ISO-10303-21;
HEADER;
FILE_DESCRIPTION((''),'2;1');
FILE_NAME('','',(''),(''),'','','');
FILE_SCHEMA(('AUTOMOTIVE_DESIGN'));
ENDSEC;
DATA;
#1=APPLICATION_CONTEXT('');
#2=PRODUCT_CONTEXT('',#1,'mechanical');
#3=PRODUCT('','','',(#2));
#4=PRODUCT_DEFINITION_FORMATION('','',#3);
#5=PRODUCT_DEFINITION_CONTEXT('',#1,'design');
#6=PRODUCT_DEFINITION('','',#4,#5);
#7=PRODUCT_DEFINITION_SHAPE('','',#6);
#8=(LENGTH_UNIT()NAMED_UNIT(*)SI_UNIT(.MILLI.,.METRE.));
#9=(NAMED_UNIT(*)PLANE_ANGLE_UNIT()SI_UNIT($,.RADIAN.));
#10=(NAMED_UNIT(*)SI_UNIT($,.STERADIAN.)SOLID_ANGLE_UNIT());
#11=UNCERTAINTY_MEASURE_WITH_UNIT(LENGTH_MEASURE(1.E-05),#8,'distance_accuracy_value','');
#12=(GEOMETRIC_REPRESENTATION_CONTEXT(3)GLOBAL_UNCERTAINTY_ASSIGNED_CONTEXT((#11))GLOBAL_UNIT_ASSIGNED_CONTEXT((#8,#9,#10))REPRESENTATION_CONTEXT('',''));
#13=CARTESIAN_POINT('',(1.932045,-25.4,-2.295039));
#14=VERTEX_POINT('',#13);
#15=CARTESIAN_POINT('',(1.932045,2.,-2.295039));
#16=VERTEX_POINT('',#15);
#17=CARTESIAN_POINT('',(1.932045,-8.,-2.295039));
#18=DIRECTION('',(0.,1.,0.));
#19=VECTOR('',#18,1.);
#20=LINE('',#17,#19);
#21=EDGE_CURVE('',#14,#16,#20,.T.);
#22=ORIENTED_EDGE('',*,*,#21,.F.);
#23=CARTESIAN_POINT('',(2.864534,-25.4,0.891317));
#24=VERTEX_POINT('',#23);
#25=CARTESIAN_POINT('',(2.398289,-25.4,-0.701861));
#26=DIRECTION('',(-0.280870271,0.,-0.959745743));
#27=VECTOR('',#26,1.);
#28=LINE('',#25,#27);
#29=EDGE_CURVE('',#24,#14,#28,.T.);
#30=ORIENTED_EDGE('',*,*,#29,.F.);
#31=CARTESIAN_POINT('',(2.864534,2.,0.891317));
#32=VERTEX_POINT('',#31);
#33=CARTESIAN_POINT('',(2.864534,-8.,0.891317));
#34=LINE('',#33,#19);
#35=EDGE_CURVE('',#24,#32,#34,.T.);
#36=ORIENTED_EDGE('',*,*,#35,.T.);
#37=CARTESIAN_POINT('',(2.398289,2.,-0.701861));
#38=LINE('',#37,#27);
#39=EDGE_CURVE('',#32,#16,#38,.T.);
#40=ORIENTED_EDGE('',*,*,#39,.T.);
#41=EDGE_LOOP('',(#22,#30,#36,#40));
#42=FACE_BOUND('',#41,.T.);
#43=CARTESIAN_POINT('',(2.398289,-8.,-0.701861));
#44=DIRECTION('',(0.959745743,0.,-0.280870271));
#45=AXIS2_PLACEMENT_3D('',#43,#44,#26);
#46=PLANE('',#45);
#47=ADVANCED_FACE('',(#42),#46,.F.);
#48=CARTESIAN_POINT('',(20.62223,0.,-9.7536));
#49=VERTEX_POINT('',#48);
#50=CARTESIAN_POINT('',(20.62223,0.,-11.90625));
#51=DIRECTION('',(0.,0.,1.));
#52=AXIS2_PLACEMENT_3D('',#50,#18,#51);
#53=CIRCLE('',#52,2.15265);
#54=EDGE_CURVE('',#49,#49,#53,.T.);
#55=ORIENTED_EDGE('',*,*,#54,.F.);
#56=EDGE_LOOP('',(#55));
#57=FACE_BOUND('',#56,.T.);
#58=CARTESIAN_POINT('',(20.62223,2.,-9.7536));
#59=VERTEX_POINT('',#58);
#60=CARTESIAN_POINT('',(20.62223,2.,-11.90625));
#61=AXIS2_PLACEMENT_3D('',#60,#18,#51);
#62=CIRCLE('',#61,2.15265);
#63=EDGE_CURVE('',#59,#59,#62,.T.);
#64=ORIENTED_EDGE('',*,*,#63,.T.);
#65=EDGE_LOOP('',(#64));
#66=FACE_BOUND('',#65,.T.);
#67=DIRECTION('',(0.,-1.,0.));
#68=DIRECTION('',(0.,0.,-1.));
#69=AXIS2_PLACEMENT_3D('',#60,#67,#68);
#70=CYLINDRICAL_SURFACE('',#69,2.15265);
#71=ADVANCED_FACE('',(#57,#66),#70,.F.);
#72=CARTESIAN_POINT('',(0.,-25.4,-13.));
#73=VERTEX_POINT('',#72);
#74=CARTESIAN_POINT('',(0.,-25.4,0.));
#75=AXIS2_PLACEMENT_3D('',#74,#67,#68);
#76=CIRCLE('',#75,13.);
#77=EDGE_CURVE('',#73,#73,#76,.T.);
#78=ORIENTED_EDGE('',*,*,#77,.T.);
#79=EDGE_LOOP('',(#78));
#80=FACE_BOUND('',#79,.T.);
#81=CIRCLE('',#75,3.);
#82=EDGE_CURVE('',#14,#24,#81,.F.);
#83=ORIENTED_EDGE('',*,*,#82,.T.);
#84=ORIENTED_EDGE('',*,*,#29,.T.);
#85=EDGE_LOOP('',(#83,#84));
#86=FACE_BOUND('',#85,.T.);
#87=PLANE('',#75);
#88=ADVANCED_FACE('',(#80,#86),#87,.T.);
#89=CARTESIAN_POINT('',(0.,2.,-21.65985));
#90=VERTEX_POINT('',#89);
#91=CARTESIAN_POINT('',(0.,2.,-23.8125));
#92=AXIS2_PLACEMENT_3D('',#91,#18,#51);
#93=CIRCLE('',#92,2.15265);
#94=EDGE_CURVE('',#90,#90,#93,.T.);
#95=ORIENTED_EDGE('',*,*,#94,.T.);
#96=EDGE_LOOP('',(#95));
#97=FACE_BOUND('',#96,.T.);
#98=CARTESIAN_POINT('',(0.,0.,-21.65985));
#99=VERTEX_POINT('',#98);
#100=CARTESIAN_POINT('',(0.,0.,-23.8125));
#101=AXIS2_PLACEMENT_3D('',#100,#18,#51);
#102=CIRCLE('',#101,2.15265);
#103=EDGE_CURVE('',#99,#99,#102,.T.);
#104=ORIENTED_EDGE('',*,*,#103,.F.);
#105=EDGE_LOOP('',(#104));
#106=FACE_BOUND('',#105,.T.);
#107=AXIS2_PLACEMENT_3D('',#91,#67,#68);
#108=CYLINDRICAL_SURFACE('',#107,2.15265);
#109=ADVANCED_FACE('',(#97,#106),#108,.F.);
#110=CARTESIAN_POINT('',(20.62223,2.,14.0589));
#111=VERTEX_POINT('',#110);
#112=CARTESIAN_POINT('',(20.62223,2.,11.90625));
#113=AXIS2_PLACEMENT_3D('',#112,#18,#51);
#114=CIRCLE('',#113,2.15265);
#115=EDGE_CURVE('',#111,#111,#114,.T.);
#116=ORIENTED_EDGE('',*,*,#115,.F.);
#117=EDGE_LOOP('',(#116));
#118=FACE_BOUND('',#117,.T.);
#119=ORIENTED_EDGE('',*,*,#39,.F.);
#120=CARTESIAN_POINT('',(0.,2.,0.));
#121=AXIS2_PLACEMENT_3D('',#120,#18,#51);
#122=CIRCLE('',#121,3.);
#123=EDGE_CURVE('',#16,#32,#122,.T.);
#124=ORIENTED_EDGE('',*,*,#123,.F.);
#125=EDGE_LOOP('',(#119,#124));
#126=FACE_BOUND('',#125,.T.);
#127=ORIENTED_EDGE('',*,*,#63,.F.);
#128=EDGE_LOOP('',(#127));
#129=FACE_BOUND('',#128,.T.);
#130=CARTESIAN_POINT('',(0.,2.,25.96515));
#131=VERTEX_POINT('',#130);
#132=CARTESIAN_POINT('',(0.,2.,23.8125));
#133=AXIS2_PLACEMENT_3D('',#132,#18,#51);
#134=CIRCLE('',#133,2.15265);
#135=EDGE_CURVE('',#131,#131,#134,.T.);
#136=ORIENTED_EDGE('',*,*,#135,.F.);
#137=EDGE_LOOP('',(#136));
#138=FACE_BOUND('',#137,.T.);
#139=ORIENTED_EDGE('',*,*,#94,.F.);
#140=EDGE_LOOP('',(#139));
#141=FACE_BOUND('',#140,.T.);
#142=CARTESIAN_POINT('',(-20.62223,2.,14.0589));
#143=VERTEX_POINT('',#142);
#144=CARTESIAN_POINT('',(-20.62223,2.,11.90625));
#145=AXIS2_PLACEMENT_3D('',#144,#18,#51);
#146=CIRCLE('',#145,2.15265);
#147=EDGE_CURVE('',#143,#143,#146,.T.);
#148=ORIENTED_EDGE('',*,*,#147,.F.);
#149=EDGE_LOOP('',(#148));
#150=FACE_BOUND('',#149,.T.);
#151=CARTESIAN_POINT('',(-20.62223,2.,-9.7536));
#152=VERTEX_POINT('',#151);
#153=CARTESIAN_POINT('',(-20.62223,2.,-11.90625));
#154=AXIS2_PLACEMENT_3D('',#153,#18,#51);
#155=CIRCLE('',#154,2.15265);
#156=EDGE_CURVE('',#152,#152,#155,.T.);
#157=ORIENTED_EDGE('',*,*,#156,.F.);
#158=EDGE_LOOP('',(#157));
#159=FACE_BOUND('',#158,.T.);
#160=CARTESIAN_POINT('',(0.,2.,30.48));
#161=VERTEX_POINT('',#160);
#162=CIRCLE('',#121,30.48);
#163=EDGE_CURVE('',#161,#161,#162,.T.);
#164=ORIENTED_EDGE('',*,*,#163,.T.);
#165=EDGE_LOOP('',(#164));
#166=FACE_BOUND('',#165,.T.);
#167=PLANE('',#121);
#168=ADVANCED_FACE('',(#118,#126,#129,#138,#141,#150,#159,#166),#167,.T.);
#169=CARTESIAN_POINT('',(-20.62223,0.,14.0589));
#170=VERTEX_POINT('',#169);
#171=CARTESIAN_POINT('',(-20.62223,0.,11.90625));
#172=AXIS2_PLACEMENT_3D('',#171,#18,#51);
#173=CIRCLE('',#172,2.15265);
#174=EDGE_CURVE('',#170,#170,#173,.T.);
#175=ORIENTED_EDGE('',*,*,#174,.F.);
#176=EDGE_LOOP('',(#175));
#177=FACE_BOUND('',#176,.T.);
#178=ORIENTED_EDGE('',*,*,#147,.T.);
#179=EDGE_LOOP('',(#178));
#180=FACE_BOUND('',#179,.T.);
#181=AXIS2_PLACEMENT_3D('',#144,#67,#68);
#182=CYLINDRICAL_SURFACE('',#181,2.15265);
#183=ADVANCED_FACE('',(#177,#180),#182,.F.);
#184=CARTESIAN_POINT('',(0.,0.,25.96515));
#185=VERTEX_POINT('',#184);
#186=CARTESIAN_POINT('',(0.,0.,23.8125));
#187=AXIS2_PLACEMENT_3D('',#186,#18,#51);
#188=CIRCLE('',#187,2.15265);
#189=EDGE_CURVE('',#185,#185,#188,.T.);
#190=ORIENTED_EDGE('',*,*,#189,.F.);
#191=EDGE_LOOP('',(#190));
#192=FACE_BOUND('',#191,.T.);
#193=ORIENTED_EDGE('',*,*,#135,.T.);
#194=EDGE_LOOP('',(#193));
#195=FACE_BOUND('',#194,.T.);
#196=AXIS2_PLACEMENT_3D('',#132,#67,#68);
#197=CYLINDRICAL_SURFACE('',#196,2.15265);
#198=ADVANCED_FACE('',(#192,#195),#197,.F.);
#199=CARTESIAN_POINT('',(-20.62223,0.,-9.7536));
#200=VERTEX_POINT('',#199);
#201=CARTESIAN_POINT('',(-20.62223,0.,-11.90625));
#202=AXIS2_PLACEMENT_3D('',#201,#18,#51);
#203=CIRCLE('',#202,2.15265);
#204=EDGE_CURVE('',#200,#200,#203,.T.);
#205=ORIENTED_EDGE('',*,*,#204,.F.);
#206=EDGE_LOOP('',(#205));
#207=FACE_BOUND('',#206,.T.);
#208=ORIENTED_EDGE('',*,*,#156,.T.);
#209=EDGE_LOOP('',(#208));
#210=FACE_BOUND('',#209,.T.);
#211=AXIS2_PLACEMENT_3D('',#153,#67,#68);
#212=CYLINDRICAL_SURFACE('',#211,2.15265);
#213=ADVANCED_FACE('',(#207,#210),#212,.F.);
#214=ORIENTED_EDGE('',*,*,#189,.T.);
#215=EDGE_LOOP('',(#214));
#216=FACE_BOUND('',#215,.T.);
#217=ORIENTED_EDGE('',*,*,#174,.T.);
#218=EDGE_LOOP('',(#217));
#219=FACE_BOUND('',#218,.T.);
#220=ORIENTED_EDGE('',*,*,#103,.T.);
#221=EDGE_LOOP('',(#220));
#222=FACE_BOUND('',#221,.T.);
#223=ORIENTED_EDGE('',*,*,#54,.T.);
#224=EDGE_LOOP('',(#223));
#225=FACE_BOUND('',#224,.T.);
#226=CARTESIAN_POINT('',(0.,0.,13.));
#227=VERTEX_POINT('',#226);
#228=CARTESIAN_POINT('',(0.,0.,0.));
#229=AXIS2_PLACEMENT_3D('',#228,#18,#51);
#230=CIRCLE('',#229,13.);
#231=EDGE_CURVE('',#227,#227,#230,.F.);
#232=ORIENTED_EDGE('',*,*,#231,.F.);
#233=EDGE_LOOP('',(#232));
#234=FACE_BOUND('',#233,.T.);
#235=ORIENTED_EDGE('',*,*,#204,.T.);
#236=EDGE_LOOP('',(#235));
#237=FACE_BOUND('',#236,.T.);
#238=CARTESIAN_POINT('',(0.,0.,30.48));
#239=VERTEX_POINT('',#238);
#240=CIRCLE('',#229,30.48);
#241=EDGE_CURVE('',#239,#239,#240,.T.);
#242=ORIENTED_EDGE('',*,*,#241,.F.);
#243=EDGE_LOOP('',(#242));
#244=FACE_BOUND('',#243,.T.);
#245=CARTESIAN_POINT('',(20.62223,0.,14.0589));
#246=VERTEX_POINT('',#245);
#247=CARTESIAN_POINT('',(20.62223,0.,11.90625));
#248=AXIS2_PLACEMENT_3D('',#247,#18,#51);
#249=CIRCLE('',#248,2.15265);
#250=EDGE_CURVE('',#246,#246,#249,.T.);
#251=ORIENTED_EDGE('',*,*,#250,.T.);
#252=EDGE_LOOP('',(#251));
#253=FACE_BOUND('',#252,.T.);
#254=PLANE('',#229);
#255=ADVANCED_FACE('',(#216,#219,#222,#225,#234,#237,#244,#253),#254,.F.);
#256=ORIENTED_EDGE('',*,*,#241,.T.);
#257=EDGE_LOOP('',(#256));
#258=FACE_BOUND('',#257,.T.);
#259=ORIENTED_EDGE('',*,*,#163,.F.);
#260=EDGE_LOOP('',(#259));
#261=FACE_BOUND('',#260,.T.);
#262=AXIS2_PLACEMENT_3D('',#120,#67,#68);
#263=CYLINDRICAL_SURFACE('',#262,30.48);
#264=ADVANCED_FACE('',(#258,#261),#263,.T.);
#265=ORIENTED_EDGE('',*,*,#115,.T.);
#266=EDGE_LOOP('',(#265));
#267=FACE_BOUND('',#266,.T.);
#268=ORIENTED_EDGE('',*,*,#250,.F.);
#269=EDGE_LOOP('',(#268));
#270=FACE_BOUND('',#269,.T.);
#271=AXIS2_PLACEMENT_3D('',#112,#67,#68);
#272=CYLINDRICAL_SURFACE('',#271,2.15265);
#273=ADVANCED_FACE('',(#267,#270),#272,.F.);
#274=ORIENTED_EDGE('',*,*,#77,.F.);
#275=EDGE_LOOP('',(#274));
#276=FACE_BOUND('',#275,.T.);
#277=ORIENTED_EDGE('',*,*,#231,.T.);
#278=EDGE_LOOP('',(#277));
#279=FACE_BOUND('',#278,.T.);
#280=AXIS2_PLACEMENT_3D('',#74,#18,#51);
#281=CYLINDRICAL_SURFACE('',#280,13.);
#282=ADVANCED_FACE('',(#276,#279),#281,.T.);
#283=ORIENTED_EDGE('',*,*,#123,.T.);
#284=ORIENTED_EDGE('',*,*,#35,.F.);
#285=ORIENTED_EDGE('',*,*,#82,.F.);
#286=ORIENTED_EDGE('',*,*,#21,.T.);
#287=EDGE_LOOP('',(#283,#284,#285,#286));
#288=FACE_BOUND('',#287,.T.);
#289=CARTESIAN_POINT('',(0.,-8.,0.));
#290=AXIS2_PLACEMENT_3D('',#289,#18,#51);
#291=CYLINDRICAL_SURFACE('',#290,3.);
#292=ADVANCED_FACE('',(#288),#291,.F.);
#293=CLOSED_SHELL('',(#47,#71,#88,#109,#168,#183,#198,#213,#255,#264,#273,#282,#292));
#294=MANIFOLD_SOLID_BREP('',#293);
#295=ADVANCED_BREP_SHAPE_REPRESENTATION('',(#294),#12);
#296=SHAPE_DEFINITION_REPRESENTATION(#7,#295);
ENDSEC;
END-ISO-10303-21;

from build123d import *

# Parameters (mm, degrees)
SKETCH1_R           = 30.48
SKETCH1_R_2         = 2.15265
BOSS_EXTRUDE1_DEPTH = 2
CUT_EXTRUDE1_DEPTH  = 10
SKETCH3_R           = 13
SKETCH3_R_2         = 3.110414615
BOSS_EXTRUDE2_DEPTH = 25.4


with BuildPart() as part:
    # Sketch1 → Boss-Extrude1 (new body)
    with BuildSketch(Plane(origin=(0, 0, 0), x_dir=(1, 0, 0), z_dir=(0, 1, 0))):
        with Locations(Location((0, 0, 0), (0, 0, 270))):
            Circle(SKETCH1_R)
        with Locations(Location((0, -23.8125, 0), (0, 0, 270))):
            Circle(SKETCH1_R_2, mode=Mode.SUBTRACT)
        with Locations(Location((20.622229928, -11.90625, 0), (0, 0, 270))):
            Circle(SKETCH1_R_2, mode=Mode.SUBTRACT)
        with Locations(Location((20.622229928, 11.90625, 0), (0, 0, 270))):
            Circle(SKETCH1_R_2, mode=Mode.SUBTRACT)
        with Locations(Location((0, 23.8125, 0), (0, 0, 270))):
            Circle(SKETCH1_R_2, mode=Mode.SUBTRACT)
        with Locations(Location((-20.622229928, 11.90625, 0), (0, 0, 270))):
            Circle(SKETCH1_R_2, mode=Mode.SUBTRACT)
        with Locations(Location((-20.622229928, -11.90625, 0), (0, 0, 270))):
            Circle(SKETCH1_R_2, mode=Mode.SUBTRACT)
    extrude(amount=BOSS_EXTRUDE1_DEPTH)

    # Sketch2 → Cut-Extrude1 (cut)
    with BuildSketch(Plane(origin=(0, 2, 0), x_dir=(1, 0, 0), z_dir=(0, 1, 0))):
        with BuildLine():
            ThreePointArc((1.93204455, 2.295038966), (-2.879237228, -0.842610814), (2.864533851, -0.8913169))
            Line((2.864533851, -0.8913169), (1.93204455, 2.295038966))
        make_face()
    extrude(amount=-CUT_EXTRUDE1_DEPTH, mode=Mode.SUBTRACT)

    # Sketch3 → Boss-Extrude2 (add)
    # profile 1 of 2: a face of its own
    with BuildSketch(Plane.XZ):
        with Locations(Location((0, 0, 0), (0, 0, 90))):
            Circle(SKETCH3_R)
        Circle(SKETCH3_R_2, mode=Mode.SUBTRACT)
    # profile 2 of 2: a face of its own
    with BuildSketch(Plane.XZ):
        Circle(SKETCH3_R_2)
        with BuildLine():
            Line((2.864533851, 0.8913169), (1.93204455, -2.295038966))
            ThreePointArc((1.93204455, -2.295038966), (-2.879237228, 0.842610814), (2.864533851, 0.8913169))
        make_face(mode=Mode.SUBTRACT)
    extrude(amount=BOSS_EXTRUDE2_DEPTH)


solid = part.part
